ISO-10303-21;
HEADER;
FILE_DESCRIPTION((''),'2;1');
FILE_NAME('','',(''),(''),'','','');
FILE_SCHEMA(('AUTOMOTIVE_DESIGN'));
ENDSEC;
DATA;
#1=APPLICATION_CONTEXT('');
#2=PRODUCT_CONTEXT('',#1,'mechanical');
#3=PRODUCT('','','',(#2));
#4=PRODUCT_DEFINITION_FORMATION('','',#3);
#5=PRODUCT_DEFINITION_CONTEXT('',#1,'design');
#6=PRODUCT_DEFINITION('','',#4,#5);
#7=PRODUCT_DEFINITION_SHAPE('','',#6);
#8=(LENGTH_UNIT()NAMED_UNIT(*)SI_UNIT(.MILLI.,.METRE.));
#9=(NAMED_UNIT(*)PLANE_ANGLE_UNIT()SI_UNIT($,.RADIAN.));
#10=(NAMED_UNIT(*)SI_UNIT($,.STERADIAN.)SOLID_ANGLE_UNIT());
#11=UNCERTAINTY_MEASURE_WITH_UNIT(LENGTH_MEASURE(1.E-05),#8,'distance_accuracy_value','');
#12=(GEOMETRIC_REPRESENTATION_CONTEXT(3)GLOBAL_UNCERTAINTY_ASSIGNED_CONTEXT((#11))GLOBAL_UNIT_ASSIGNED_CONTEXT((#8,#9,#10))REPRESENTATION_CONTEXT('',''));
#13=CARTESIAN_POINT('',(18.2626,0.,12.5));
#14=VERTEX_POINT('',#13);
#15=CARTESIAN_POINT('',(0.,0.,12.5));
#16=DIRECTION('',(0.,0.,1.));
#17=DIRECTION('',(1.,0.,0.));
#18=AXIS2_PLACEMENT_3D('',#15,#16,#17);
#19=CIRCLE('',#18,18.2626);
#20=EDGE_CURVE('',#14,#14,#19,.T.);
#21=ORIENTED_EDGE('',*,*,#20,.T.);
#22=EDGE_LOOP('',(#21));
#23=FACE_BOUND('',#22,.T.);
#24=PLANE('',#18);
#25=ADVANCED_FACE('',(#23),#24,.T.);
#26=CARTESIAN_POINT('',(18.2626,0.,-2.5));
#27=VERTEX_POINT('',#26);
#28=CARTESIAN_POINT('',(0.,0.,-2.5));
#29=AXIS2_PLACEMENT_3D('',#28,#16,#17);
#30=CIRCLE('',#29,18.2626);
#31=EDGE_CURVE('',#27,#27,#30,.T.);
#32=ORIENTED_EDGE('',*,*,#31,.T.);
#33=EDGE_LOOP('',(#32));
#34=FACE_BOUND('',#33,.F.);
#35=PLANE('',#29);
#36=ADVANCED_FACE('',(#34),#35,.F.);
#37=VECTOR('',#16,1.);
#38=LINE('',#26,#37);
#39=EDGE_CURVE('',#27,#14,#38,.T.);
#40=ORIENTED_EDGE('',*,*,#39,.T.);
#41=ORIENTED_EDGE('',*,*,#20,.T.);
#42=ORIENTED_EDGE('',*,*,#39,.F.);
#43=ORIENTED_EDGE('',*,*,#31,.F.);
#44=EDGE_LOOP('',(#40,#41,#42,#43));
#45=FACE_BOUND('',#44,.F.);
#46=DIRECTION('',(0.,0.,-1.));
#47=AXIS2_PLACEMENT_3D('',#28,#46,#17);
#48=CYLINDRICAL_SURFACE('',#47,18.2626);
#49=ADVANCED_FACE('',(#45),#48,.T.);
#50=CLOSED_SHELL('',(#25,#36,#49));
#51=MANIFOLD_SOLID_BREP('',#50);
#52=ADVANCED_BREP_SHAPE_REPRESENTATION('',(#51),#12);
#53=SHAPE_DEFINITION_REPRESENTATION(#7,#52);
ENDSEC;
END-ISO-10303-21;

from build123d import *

# Parameters (mm, degrees)
CYLINDER_R     = 18.2626
CYLINDER_DEPTH = 15


with BuildPart() as part:
    # Cylinder → Cylinder (new body)
    with BuildSketch(Plane.XY.offset(-2.5)):
        Circle(CYLINDER_R)
    extrude(amount=CYLINDER_DEPTH)


solid = part.part
